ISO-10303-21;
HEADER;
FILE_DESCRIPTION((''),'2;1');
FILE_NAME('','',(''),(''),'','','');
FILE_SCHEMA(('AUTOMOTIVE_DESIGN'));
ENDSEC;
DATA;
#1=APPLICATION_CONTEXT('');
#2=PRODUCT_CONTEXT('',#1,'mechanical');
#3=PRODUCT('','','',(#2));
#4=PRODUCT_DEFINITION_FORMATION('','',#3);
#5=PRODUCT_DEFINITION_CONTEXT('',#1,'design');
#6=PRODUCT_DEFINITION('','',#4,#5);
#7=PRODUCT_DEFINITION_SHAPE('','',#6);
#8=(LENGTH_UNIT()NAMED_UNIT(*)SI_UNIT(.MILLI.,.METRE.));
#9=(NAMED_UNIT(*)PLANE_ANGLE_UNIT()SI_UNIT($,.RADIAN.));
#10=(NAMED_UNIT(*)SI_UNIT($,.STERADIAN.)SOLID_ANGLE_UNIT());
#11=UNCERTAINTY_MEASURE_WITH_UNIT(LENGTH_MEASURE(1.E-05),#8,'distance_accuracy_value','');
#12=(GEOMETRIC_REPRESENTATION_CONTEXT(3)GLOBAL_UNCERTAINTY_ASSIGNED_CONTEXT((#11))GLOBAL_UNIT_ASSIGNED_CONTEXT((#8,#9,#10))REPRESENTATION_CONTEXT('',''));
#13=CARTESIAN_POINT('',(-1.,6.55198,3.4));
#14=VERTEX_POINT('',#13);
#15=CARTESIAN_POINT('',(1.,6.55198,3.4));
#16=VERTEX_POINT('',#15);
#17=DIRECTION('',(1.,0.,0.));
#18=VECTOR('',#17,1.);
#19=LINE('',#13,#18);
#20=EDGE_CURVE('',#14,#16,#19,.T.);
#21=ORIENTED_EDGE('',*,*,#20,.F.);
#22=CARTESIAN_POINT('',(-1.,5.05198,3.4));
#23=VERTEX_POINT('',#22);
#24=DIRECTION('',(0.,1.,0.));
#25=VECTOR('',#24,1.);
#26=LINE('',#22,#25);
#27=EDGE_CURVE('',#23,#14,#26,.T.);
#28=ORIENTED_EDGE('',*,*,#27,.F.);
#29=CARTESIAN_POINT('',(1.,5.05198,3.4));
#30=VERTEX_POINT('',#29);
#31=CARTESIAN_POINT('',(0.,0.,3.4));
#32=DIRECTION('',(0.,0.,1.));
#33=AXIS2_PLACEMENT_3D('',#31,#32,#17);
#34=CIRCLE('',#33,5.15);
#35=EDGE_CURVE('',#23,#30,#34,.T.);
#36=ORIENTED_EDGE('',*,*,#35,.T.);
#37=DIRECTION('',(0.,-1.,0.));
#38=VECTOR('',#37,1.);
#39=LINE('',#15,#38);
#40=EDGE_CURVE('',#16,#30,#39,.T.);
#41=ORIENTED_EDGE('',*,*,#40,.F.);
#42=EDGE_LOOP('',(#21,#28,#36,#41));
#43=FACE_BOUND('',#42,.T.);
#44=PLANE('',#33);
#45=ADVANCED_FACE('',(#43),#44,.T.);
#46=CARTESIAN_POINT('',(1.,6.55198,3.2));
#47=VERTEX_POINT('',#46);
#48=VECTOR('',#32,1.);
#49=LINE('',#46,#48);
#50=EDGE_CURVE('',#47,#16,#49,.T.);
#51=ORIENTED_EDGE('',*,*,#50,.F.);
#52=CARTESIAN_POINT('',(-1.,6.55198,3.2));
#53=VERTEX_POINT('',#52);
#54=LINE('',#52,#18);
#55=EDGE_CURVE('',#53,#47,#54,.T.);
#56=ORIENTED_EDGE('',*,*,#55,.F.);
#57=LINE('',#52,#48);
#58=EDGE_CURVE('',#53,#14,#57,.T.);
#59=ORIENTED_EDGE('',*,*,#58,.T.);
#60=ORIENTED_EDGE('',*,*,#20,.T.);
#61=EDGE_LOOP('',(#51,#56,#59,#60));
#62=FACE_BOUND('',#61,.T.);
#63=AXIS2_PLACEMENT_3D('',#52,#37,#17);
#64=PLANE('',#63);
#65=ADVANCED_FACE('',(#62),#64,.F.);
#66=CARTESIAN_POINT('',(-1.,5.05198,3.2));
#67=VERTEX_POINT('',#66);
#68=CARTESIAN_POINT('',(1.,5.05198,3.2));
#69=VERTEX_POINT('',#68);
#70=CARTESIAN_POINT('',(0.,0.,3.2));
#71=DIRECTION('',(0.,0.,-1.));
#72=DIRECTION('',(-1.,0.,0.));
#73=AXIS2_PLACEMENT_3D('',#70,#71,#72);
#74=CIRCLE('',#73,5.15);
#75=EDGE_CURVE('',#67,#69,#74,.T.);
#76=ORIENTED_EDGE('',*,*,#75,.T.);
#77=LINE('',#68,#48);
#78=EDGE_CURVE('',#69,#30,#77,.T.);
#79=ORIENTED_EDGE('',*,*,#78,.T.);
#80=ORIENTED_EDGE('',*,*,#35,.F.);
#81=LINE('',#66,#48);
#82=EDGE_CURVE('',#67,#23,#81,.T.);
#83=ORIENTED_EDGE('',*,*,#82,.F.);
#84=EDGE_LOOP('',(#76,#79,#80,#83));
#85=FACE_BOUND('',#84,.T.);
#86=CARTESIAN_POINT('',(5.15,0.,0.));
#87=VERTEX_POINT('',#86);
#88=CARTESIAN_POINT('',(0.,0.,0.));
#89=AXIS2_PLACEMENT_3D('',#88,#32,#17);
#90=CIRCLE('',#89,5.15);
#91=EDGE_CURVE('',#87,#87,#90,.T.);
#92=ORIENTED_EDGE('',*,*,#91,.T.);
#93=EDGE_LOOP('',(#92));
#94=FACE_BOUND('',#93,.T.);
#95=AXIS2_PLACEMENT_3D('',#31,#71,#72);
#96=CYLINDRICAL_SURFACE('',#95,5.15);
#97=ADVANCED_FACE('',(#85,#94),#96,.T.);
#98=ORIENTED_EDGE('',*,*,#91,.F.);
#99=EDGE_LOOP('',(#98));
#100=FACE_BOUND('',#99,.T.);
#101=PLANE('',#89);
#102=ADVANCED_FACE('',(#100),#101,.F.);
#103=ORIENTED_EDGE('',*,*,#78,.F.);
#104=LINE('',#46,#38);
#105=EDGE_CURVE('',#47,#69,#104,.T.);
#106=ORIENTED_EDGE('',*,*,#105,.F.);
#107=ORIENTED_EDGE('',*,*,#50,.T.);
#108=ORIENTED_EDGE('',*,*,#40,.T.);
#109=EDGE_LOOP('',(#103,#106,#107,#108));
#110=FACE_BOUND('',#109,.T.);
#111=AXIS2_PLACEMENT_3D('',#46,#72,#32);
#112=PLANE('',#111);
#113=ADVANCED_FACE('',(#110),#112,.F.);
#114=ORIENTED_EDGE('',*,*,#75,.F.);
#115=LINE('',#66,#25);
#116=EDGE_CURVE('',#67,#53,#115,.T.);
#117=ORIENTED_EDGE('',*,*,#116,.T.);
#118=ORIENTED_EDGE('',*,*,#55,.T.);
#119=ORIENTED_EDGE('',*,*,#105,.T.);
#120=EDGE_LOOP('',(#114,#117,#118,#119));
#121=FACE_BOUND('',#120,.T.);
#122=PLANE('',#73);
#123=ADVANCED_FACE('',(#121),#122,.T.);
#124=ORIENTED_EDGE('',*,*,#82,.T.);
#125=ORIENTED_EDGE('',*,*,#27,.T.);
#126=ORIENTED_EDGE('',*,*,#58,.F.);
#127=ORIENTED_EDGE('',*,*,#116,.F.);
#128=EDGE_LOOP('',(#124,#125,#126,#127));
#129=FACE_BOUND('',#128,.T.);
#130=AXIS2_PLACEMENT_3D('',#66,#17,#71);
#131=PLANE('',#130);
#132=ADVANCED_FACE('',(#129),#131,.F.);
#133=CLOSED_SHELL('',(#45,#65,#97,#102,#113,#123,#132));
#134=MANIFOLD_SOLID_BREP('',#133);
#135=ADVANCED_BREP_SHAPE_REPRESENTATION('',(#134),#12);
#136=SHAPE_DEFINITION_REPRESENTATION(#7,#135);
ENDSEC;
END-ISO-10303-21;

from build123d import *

# Parameters (mm, degrees)
ESQUISSE1_R        = 5.15
BOSS_EXTRU_1_DEPTH = 3.4
ESQUISSE2_W        = 2
ESQUISSE2_H        = 1.5
BOSS_EXTRU_2_DEPTH = 0.2


with BuildPart() as part:
    # Esquisse1 → Boss.-Extru.1 (new body)
    with BuildSketch(Plane.XY):
        Circle(ESQUISSE1_R)
    extrude(amount=BOSS_EXTRU_1_DEPTH)

    # Esquisse2 → Boss.-Extru.2 (add)
    with BuildSketch(Plane.XY.offset(3.4)):
        with Locations((0, 5.80197981)):
            Rectangle(ESQUISSE2_W, ESQUISSE2_H)
    extrude(amount=-BOSS_EXTRU_2_DEPTH)


solid = part.part
